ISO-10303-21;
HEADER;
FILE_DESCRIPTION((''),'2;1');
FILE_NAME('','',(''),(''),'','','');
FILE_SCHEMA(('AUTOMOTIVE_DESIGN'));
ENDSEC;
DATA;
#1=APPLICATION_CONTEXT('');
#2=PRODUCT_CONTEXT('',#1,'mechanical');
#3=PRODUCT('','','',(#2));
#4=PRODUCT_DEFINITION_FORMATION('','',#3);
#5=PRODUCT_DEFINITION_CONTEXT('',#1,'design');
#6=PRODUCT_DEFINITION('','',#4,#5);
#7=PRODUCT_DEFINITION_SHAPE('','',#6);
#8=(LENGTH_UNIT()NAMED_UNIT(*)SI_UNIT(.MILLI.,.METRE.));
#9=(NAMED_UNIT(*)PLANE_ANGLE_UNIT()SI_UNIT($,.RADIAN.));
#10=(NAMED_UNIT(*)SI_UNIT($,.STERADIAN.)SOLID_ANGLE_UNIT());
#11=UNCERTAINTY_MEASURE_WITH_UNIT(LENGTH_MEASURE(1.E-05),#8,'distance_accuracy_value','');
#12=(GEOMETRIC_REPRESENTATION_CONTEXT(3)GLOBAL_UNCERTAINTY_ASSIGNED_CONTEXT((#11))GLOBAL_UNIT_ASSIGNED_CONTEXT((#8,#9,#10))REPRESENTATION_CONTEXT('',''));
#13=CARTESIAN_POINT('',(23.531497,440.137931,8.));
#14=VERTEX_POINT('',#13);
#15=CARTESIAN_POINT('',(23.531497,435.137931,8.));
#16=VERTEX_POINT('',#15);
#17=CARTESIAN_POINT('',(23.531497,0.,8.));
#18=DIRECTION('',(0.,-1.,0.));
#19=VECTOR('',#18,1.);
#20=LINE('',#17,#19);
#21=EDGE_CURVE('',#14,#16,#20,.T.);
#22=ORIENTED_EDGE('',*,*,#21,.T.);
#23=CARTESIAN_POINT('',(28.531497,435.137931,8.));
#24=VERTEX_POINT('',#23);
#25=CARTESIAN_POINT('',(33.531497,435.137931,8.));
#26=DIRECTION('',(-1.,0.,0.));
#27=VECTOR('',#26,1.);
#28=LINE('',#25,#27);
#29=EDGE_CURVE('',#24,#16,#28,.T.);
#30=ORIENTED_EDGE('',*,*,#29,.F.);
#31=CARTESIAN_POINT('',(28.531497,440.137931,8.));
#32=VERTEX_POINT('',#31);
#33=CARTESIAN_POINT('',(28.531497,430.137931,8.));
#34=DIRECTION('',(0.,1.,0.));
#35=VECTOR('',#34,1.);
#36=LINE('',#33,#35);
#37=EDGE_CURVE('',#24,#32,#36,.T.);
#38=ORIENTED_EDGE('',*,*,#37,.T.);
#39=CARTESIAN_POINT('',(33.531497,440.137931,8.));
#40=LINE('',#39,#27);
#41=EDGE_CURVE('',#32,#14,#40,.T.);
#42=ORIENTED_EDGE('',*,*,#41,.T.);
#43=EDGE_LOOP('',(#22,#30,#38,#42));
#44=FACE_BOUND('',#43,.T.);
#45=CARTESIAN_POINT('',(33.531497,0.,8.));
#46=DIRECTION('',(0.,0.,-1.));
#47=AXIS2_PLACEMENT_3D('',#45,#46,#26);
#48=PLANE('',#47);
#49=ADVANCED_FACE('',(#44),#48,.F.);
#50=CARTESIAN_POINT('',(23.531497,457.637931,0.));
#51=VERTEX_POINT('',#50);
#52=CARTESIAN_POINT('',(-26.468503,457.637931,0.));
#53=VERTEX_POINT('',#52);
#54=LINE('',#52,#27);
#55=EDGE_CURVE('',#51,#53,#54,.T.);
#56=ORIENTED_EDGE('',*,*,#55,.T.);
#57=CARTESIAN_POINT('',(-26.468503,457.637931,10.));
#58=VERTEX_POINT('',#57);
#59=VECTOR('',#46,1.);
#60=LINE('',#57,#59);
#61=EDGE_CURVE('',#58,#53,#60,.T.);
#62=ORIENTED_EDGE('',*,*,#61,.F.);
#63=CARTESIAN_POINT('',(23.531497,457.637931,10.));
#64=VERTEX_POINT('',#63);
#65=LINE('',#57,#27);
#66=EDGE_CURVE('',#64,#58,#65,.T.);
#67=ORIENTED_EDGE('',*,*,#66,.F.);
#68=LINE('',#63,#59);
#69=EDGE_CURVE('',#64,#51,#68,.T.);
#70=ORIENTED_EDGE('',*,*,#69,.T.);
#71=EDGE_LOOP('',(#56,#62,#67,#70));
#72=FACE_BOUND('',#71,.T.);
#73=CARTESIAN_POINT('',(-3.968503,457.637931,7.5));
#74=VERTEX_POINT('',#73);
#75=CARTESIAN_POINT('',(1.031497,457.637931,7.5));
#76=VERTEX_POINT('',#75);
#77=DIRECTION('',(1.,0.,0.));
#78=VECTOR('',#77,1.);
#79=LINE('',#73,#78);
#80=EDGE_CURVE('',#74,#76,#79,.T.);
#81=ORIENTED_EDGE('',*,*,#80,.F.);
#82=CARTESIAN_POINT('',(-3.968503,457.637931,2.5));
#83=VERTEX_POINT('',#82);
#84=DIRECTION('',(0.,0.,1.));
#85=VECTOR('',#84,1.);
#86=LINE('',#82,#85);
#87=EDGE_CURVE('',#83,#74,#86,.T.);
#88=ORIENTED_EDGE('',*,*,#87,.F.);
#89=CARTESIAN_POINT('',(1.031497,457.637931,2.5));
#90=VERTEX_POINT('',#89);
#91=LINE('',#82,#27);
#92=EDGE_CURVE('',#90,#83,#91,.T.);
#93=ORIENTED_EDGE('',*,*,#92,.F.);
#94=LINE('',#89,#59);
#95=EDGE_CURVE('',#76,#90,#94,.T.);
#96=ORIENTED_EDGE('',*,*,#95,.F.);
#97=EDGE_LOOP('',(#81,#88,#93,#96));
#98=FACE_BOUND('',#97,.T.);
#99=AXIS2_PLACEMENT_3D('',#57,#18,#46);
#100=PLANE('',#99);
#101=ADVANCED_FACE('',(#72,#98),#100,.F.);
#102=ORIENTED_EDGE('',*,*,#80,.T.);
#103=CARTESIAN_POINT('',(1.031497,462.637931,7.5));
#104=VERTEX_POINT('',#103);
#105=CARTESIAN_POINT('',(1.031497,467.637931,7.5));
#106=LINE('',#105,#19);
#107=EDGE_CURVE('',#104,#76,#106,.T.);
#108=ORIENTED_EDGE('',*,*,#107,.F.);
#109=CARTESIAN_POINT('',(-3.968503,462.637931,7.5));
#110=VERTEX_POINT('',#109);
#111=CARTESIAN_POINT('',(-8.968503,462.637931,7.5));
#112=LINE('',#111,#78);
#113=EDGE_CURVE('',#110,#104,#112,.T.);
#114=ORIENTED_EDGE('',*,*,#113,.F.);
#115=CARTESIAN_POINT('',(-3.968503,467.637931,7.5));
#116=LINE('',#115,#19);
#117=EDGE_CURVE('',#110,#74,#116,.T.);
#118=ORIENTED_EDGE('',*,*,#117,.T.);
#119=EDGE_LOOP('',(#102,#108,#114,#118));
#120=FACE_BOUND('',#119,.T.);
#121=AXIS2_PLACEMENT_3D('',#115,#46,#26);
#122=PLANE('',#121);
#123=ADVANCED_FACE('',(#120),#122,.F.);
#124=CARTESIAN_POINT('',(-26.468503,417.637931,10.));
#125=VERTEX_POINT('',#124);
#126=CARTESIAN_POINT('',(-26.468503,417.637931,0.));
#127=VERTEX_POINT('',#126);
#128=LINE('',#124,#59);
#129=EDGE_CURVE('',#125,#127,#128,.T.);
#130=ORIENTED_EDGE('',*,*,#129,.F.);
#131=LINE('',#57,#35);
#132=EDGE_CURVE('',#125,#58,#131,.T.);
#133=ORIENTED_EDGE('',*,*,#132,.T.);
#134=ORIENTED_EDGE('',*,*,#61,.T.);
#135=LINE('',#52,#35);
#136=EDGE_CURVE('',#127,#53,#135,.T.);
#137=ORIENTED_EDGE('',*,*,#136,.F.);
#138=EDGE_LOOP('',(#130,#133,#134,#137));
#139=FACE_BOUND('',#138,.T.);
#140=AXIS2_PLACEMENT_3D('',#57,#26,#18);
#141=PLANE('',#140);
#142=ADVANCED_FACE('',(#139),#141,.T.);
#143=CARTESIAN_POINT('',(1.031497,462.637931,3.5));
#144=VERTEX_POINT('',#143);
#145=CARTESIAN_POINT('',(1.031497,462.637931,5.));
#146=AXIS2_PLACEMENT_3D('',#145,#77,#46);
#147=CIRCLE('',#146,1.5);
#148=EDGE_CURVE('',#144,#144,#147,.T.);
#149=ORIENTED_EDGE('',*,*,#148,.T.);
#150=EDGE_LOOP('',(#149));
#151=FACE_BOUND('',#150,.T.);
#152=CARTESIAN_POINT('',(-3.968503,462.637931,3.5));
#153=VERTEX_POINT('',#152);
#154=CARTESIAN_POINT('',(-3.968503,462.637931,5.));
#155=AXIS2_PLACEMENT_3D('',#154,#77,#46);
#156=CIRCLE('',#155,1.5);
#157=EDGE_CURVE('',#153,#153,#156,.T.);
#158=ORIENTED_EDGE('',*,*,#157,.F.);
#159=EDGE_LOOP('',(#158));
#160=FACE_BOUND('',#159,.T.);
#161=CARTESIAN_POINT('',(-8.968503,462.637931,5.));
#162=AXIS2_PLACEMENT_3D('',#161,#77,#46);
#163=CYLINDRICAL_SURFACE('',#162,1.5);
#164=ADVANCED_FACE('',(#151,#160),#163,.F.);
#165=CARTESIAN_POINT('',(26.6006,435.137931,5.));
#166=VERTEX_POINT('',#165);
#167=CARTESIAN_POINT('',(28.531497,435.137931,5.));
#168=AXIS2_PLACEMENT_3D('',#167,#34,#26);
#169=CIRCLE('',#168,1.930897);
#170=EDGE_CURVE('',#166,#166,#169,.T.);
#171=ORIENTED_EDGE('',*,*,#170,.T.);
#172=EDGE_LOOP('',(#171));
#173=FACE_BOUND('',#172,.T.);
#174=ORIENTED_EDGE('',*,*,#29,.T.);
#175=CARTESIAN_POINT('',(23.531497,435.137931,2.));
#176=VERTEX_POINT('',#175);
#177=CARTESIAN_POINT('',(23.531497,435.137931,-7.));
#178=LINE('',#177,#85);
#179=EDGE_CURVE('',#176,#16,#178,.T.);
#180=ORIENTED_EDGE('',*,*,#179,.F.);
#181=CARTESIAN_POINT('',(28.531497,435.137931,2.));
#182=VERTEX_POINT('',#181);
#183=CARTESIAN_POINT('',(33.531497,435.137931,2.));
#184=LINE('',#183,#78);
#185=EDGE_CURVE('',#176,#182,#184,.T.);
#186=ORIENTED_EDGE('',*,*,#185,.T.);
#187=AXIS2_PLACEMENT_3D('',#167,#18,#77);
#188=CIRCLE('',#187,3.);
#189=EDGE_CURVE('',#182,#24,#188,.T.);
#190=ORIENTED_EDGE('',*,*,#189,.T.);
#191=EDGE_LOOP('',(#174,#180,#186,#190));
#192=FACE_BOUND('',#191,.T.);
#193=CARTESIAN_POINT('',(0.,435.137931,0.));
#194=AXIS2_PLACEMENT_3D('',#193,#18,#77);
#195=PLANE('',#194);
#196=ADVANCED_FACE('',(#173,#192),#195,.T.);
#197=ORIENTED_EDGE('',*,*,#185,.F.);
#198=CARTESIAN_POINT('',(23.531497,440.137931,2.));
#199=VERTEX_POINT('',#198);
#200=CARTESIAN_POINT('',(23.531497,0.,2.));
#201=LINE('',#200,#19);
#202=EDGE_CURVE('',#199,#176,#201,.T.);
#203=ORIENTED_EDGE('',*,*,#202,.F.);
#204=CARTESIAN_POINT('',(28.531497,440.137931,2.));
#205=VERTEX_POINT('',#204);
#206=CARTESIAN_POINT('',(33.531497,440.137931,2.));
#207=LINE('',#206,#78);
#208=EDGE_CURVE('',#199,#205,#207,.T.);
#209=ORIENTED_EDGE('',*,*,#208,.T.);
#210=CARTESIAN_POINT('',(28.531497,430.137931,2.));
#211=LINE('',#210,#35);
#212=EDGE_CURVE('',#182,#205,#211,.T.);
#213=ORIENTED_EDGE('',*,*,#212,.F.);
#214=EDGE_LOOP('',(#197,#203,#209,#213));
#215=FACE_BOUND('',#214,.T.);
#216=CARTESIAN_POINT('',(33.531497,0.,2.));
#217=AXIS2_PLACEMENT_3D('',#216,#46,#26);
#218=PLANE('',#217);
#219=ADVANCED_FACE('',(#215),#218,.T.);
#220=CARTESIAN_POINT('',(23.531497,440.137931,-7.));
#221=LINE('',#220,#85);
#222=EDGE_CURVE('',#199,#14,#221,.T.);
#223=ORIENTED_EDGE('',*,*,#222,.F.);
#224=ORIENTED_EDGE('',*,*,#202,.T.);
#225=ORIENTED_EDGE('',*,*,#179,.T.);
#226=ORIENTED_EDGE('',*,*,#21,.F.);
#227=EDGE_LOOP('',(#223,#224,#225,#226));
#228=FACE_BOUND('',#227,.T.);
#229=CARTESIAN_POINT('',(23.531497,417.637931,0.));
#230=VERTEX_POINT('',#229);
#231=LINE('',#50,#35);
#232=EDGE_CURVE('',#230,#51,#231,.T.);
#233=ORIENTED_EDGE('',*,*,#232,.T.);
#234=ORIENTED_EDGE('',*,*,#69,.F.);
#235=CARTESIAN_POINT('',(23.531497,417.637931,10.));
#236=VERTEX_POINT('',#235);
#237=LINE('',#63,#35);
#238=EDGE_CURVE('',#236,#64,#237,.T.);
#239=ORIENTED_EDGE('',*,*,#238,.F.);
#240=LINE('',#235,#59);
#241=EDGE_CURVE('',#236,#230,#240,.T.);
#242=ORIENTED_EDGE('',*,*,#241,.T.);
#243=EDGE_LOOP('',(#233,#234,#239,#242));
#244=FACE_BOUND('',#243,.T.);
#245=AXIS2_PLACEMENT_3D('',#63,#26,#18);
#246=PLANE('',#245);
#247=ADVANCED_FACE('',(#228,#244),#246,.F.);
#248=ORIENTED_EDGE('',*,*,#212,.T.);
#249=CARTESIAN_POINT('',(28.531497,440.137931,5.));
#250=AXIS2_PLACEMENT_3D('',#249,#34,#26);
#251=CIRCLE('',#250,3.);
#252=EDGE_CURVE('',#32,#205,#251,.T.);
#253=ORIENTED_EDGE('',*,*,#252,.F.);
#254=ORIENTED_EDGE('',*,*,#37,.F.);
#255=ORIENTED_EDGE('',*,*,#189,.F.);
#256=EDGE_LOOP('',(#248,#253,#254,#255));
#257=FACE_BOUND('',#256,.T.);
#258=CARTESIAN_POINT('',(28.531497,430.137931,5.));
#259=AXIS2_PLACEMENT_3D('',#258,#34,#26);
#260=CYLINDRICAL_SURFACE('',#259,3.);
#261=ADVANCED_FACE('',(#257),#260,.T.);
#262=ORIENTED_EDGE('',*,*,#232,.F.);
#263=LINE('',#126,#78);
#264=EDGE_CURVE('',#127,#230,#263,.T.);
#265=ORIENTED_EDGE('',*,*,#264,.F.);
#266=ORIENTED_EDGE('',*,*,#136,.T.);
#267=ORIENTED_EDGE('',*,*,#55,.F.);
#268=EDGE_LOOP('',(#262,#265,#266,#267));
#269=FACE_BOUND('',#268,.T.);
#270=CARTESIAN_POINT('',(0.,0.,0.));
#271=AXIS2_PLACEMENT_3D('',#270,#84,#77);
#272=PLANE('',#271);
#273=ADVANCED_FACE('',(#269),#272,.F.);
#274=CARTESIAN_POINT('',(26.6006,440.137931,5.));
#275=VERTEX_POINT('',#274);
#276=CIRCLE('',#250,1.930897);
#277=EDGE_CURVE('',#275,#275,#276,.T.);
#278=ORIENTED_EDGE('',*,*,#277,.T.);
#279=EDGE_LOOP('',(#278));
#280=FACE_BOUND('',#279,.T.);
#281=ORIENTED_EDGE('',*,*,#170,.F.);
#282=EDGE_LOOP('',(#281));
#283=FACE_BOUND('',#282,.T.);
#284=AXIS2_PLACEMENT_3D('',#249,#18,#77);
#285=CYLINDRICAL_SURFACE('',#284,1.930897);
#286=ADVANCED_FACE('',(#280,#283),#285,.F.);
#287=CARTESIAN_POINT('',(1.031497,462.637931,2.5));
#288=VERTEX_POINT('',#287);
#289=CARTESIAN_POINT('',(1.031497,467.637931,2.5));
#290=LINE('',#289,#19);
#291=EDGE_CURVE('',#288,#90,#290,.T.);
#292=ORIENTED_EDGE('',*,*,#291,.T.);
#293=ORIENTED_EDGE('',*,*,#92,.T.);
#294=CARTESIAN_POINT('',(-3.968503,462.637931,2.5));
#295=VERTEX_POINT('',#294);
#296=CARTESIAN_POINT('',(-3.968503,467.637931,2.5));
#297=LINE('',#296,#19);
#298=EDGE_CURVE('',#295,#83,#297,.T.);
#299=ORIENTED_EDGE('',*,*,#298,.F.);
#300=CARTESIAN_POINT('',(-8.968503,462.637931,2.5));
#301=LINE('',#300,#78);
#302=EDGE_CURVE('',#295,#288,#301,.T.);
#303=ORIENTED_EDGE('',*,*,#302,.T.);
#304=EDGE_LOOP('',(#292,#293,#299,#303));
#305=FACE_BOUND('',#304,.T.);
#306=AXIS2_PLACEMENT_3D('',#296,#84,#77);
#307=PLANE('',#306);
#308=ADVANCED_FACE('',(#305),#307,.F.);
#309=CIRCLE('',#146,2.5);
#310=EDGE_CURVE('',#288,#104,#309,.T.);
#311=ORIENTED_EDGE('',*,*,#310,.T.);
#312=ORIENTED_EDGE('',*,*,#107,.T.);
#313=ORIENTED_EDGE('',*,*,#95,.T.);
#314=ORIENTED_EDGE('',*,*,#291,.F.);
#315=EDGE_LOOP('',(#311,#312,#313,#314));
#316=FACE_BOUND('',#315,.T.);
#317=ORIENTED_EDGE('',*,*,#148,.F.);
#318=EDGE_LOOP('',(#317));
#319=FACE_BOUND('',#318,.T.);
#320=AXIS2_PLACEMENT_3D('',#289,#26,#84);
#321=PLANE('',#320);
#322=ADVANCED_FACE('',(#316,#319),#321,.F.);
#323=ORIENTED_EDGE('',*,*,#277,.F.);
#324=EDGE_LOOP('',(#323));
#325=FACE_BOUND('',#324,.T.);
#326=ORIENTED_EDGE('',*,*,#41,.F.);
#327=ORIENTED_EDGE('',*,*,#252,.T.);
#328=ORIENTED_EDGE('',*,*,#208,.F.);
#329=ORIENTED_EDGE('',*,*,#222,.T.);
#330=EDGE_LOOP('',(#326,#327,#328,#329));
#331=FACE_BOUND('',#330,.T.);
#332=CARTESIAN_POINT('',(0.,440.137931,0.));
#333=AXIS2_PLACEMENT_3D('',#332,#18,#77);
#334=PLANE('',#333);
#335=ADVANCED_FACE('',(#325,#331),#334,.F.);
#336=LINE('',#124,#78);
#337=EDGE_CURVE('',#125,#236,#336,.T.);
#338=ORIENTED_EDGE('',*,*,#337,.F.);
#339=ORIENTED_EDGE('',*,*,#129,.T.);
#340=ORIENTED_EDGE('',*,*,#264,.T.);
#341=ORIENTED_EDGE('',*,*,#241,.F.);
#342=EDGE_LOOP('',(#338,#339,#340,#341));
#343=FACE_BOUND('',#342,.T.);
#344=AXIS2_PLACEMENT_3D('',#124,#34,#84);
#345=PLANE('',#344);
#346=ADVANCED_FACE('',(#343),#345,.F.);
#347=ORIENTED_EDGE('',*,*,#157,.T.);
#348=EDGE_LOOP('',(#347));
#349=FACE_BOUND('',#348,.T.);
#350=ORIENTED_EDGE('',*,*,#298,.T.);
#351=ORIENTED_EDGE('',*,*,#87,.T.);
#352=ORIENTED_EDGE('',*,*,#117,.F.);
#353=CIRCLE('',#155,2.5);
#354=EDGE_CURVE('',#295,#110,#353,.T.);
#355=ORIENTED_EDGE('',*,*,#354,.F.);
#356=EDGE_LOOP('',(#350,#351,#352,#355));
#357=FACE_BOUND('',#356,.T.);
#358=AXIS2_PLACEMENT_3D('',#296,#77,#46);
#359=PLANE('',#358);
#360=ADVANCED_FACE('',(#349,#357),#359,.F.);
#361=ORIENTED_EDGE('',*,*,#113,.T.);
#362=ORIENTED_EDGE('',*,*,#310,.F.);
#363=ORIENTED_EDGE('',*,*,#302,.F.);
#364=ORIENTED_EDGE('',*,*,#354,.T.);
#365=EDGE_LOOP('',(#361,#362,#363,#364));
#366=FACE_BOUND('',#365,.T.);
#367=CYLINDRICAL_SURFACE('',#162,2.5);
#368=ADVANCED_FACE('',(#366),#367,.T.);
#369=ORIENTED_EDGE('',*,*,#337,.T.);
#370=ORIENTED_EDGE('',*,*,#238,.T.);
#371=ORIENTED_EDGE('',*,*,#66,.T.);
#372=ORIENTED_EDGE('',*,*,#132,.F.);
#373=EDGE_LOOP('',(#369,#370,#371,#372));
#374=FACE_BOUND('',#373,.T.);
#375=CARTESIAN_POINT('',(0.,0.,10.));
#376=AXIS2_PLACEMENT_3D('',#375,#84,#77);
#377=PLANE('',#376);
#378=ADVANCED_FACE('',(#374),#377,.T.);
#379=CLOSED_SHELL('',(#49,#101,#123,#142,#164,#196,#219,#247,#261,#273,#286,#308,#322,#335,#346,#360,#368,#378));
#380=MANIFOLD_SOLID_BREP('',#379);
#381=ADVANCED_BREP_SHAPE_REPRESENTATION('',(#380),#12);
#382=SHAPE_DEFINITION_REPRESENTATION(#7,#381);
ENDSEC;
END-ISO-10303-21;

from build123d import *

# Parameters (mm, degrees)
SKETCH1_W           = 50
SKETCH1_H           = 40
BOSS_EXTRUDE1_DEPTH = 10
SKETCH5_W           = 6
SKETCH5_H           = 5
BOSS_EXTRUDE3_DEPTH = 10
SKETCH6_R           = 2
CUT_EXTRUDE1_DEPTH  = 20
SKETCH8_W           = 10
SKETCH8_H           = 40
CUT_EXTRUDE2_DEPTH  = 25
SKETCH9_W           = 10
SKETCH9_H           = 6
SKETCH9_R           = 1.930897171
BOSS_EXTRUDE4_DEPTH = 5
SKETCH10_W          = 10
SKETCH10_H          = 5
CUT_EXTRUDE3_DEPTH  = 15
SKETCH11_W          = 5
SKETCH11_H          = 5
BOSS_EXTRUDE5_DEPTH = 10
SKETCH12_R          = 1.5
CUT_EXTRUDE4_DEPTH  = 10
CUT_EXTRUDE5_DEPTH  = 10
CUT_EXTRUDE6_DEPTH  = 10


with BuildPart() as part:
    # Sketch1 → Boss-Extrude1 (new body)
    with BuildSketch(Plane(origin=(669.84184187, 0, 0), x_dir=(1, 0, 0), z_dir=(0, 0, 1))):
        with Locations((-671.310344828, 437.637931034)):
            Rectangle(SKETCH1_W, SKETCH1_H)
    boss_extrude1 = extrude(amount=BOSS_EXTRUDE1_DEPTH)

    # Sketch5 → Boss-Extrude3 (add)
    with BuildSketch(Plane(origin=(23.531497042, 0, 0), x_dir=(0, 0, -1), z_dir=(1, 0, 0))):
        with Locations((-5, 442.637931034)):
            Rectangle(SKETCH5_W, SKETCH5_H)
        with Locations((-5, 432.637931034)):
            Rectangle(SKETCH5_W, SKETCH5_H)
    extrude(amount=BOSS_EXTRUDE3_DEPTH)

    # Sketch6 → Cut-Extrude1 (cut)
    with BuildSketch(Plane(origin=(669.84184187, 445.137931034, 0), x_dir=(1, 0, 0), z_dir=(0, 1, 0))):
        with Locations(Location((-641.310344828, -5, 0), (0, 0, 180))):
            Circle(SKETCH6_R)
    extrude(amount=-CUT_EXTRUDE1_DEPTH, mode=Mode.SUBTRACT)

    # Sketch8 → Cut-Extrude2 (cut)
    with BuildSketch(Plane.ZY.offset(26.468502958)):
        with Locations((5, 437.637931034)):
            Rectangle(SKETCH8_W, SKETCH8_H)
    extrude(amount=-CUT_EXTRUDE2_DEPTH, mode=Mode.SUBTRACT)

    # Sketch9 → Boss-Extrude4 (add)
    with BuildSketch(Plane(origin=(0, 435.137931034, 0), x_dir=(1, 0, 0), z_dir=(0, 1, 0))):
        with Locations((28.531497042, -5)):
            Rectangle(SKETCH9_W, SKETCH9_H)
        with Locations(Location((28.531497042, -5, 0), (0, 0, 180))):
            Circle(SKETCH9_R, mode=Mode.SUBTRACT)
    extrude(amount=BOSS_EXTRUDE4_DEPTH)

    # Sketch10 → Cut-Extrude3 (cut)
    with BuildSketch(Plane.XY.offset(8)):
        with Locations((28.531497042, 432.637931034)):
            Rectangle(SKETCH10_W, SKETCH10_H)
        with Locations((28.531497042, 442.637931034)):
            Rectangle(SKETCH10_W, SKETCH10_H)
    extrude(amount=-CUT_EXTRUDE3_DEPTH, mode=Mode.SUBTRACT)

    # Mirror1: Boss-Extrude1 across plane
    add(boss_extrude1.mirror(Plane(origin=(-1.468502958, 0, 0), x_dir=(0, 0, 1), z_dir=(1, 0, 0))))

    # Sketch11 → Boss-Extrude5 (add)
    with BuildSketch(Plane(origin=(0, 457.637931034, 0), x_dir=(1, 0, 0), z_dir=(0, 1, 0))):
        with Locations((-1.468502958, -5)):
            Rectangle(SKETCH11_W, SKETCH11_H)
    extrude(amount=BOSS_EXTRUDE5_DEPTH)

    # Sketch12 → Cut-Extrude4 (cut)
    with BuildSketch(Plane(origin=(1.031497042, 0, 0), x_dir=(0, 0, -1), z_dir=(1, 0, 0))):
        with Locations((-5, 462.637931034)):
            Circle(SKETCH12_R)
    extrude(amount=-CUT_EXTRUDE4_DEPTH, mode=Mode.SUBTRACT)

    # Sketch13 → Cut-Extrude5 (cut)
    with BuildSketch(Plane(origin=(1.031497042, 0, 0), x_dir=(0, 0, -1), z_dir=(1, 0, 0))):
        with BuildLine():
            Line((-7.5, 467.637931034), (-7.5, 462.637931034))
            ThreePointArc((-7.5, 462.637931034), (-5, 465.137931034), (-2.5, 462.637931034))
            Line((-2.5, 462.637931034), (-2.5, 467.637931034))
            Line((-2.5, 467.637931034), (-7.5, 467.637931034))
        make_face()
    extrude(amount=-CUT_EXTRUDE5_DEPTH, mode=Mode.SUBTRACT)

    # Sketch14 → Cut-Extrude6 (cut)
    with BuildSketch(Plane(origin=(0, 440.137931034, 0), x_dir=(1, 0, 0), z_dir=(0, 1, 0))):
        with BuildLine():
            Line((33.531497042, -2), (28.531497042, -2))
            ThreePointArc((28.531497042, -2), (30.652817386, -2.878679656), (31.531497042, -5))
            ThreePointArc((31.531497042, -5), (30.652817386, -7.121320344), (28.531497042, -8))
            Line((28.531497042, -8), (33.531497042, -8))
            Line((33.531497042, -8), (33.531497042, -2))
        make_face()
    extrude(amount=-CUT_EXTRUDE6_DEPTH, mode=Mode.SUBTRACT)


solid = part.part
